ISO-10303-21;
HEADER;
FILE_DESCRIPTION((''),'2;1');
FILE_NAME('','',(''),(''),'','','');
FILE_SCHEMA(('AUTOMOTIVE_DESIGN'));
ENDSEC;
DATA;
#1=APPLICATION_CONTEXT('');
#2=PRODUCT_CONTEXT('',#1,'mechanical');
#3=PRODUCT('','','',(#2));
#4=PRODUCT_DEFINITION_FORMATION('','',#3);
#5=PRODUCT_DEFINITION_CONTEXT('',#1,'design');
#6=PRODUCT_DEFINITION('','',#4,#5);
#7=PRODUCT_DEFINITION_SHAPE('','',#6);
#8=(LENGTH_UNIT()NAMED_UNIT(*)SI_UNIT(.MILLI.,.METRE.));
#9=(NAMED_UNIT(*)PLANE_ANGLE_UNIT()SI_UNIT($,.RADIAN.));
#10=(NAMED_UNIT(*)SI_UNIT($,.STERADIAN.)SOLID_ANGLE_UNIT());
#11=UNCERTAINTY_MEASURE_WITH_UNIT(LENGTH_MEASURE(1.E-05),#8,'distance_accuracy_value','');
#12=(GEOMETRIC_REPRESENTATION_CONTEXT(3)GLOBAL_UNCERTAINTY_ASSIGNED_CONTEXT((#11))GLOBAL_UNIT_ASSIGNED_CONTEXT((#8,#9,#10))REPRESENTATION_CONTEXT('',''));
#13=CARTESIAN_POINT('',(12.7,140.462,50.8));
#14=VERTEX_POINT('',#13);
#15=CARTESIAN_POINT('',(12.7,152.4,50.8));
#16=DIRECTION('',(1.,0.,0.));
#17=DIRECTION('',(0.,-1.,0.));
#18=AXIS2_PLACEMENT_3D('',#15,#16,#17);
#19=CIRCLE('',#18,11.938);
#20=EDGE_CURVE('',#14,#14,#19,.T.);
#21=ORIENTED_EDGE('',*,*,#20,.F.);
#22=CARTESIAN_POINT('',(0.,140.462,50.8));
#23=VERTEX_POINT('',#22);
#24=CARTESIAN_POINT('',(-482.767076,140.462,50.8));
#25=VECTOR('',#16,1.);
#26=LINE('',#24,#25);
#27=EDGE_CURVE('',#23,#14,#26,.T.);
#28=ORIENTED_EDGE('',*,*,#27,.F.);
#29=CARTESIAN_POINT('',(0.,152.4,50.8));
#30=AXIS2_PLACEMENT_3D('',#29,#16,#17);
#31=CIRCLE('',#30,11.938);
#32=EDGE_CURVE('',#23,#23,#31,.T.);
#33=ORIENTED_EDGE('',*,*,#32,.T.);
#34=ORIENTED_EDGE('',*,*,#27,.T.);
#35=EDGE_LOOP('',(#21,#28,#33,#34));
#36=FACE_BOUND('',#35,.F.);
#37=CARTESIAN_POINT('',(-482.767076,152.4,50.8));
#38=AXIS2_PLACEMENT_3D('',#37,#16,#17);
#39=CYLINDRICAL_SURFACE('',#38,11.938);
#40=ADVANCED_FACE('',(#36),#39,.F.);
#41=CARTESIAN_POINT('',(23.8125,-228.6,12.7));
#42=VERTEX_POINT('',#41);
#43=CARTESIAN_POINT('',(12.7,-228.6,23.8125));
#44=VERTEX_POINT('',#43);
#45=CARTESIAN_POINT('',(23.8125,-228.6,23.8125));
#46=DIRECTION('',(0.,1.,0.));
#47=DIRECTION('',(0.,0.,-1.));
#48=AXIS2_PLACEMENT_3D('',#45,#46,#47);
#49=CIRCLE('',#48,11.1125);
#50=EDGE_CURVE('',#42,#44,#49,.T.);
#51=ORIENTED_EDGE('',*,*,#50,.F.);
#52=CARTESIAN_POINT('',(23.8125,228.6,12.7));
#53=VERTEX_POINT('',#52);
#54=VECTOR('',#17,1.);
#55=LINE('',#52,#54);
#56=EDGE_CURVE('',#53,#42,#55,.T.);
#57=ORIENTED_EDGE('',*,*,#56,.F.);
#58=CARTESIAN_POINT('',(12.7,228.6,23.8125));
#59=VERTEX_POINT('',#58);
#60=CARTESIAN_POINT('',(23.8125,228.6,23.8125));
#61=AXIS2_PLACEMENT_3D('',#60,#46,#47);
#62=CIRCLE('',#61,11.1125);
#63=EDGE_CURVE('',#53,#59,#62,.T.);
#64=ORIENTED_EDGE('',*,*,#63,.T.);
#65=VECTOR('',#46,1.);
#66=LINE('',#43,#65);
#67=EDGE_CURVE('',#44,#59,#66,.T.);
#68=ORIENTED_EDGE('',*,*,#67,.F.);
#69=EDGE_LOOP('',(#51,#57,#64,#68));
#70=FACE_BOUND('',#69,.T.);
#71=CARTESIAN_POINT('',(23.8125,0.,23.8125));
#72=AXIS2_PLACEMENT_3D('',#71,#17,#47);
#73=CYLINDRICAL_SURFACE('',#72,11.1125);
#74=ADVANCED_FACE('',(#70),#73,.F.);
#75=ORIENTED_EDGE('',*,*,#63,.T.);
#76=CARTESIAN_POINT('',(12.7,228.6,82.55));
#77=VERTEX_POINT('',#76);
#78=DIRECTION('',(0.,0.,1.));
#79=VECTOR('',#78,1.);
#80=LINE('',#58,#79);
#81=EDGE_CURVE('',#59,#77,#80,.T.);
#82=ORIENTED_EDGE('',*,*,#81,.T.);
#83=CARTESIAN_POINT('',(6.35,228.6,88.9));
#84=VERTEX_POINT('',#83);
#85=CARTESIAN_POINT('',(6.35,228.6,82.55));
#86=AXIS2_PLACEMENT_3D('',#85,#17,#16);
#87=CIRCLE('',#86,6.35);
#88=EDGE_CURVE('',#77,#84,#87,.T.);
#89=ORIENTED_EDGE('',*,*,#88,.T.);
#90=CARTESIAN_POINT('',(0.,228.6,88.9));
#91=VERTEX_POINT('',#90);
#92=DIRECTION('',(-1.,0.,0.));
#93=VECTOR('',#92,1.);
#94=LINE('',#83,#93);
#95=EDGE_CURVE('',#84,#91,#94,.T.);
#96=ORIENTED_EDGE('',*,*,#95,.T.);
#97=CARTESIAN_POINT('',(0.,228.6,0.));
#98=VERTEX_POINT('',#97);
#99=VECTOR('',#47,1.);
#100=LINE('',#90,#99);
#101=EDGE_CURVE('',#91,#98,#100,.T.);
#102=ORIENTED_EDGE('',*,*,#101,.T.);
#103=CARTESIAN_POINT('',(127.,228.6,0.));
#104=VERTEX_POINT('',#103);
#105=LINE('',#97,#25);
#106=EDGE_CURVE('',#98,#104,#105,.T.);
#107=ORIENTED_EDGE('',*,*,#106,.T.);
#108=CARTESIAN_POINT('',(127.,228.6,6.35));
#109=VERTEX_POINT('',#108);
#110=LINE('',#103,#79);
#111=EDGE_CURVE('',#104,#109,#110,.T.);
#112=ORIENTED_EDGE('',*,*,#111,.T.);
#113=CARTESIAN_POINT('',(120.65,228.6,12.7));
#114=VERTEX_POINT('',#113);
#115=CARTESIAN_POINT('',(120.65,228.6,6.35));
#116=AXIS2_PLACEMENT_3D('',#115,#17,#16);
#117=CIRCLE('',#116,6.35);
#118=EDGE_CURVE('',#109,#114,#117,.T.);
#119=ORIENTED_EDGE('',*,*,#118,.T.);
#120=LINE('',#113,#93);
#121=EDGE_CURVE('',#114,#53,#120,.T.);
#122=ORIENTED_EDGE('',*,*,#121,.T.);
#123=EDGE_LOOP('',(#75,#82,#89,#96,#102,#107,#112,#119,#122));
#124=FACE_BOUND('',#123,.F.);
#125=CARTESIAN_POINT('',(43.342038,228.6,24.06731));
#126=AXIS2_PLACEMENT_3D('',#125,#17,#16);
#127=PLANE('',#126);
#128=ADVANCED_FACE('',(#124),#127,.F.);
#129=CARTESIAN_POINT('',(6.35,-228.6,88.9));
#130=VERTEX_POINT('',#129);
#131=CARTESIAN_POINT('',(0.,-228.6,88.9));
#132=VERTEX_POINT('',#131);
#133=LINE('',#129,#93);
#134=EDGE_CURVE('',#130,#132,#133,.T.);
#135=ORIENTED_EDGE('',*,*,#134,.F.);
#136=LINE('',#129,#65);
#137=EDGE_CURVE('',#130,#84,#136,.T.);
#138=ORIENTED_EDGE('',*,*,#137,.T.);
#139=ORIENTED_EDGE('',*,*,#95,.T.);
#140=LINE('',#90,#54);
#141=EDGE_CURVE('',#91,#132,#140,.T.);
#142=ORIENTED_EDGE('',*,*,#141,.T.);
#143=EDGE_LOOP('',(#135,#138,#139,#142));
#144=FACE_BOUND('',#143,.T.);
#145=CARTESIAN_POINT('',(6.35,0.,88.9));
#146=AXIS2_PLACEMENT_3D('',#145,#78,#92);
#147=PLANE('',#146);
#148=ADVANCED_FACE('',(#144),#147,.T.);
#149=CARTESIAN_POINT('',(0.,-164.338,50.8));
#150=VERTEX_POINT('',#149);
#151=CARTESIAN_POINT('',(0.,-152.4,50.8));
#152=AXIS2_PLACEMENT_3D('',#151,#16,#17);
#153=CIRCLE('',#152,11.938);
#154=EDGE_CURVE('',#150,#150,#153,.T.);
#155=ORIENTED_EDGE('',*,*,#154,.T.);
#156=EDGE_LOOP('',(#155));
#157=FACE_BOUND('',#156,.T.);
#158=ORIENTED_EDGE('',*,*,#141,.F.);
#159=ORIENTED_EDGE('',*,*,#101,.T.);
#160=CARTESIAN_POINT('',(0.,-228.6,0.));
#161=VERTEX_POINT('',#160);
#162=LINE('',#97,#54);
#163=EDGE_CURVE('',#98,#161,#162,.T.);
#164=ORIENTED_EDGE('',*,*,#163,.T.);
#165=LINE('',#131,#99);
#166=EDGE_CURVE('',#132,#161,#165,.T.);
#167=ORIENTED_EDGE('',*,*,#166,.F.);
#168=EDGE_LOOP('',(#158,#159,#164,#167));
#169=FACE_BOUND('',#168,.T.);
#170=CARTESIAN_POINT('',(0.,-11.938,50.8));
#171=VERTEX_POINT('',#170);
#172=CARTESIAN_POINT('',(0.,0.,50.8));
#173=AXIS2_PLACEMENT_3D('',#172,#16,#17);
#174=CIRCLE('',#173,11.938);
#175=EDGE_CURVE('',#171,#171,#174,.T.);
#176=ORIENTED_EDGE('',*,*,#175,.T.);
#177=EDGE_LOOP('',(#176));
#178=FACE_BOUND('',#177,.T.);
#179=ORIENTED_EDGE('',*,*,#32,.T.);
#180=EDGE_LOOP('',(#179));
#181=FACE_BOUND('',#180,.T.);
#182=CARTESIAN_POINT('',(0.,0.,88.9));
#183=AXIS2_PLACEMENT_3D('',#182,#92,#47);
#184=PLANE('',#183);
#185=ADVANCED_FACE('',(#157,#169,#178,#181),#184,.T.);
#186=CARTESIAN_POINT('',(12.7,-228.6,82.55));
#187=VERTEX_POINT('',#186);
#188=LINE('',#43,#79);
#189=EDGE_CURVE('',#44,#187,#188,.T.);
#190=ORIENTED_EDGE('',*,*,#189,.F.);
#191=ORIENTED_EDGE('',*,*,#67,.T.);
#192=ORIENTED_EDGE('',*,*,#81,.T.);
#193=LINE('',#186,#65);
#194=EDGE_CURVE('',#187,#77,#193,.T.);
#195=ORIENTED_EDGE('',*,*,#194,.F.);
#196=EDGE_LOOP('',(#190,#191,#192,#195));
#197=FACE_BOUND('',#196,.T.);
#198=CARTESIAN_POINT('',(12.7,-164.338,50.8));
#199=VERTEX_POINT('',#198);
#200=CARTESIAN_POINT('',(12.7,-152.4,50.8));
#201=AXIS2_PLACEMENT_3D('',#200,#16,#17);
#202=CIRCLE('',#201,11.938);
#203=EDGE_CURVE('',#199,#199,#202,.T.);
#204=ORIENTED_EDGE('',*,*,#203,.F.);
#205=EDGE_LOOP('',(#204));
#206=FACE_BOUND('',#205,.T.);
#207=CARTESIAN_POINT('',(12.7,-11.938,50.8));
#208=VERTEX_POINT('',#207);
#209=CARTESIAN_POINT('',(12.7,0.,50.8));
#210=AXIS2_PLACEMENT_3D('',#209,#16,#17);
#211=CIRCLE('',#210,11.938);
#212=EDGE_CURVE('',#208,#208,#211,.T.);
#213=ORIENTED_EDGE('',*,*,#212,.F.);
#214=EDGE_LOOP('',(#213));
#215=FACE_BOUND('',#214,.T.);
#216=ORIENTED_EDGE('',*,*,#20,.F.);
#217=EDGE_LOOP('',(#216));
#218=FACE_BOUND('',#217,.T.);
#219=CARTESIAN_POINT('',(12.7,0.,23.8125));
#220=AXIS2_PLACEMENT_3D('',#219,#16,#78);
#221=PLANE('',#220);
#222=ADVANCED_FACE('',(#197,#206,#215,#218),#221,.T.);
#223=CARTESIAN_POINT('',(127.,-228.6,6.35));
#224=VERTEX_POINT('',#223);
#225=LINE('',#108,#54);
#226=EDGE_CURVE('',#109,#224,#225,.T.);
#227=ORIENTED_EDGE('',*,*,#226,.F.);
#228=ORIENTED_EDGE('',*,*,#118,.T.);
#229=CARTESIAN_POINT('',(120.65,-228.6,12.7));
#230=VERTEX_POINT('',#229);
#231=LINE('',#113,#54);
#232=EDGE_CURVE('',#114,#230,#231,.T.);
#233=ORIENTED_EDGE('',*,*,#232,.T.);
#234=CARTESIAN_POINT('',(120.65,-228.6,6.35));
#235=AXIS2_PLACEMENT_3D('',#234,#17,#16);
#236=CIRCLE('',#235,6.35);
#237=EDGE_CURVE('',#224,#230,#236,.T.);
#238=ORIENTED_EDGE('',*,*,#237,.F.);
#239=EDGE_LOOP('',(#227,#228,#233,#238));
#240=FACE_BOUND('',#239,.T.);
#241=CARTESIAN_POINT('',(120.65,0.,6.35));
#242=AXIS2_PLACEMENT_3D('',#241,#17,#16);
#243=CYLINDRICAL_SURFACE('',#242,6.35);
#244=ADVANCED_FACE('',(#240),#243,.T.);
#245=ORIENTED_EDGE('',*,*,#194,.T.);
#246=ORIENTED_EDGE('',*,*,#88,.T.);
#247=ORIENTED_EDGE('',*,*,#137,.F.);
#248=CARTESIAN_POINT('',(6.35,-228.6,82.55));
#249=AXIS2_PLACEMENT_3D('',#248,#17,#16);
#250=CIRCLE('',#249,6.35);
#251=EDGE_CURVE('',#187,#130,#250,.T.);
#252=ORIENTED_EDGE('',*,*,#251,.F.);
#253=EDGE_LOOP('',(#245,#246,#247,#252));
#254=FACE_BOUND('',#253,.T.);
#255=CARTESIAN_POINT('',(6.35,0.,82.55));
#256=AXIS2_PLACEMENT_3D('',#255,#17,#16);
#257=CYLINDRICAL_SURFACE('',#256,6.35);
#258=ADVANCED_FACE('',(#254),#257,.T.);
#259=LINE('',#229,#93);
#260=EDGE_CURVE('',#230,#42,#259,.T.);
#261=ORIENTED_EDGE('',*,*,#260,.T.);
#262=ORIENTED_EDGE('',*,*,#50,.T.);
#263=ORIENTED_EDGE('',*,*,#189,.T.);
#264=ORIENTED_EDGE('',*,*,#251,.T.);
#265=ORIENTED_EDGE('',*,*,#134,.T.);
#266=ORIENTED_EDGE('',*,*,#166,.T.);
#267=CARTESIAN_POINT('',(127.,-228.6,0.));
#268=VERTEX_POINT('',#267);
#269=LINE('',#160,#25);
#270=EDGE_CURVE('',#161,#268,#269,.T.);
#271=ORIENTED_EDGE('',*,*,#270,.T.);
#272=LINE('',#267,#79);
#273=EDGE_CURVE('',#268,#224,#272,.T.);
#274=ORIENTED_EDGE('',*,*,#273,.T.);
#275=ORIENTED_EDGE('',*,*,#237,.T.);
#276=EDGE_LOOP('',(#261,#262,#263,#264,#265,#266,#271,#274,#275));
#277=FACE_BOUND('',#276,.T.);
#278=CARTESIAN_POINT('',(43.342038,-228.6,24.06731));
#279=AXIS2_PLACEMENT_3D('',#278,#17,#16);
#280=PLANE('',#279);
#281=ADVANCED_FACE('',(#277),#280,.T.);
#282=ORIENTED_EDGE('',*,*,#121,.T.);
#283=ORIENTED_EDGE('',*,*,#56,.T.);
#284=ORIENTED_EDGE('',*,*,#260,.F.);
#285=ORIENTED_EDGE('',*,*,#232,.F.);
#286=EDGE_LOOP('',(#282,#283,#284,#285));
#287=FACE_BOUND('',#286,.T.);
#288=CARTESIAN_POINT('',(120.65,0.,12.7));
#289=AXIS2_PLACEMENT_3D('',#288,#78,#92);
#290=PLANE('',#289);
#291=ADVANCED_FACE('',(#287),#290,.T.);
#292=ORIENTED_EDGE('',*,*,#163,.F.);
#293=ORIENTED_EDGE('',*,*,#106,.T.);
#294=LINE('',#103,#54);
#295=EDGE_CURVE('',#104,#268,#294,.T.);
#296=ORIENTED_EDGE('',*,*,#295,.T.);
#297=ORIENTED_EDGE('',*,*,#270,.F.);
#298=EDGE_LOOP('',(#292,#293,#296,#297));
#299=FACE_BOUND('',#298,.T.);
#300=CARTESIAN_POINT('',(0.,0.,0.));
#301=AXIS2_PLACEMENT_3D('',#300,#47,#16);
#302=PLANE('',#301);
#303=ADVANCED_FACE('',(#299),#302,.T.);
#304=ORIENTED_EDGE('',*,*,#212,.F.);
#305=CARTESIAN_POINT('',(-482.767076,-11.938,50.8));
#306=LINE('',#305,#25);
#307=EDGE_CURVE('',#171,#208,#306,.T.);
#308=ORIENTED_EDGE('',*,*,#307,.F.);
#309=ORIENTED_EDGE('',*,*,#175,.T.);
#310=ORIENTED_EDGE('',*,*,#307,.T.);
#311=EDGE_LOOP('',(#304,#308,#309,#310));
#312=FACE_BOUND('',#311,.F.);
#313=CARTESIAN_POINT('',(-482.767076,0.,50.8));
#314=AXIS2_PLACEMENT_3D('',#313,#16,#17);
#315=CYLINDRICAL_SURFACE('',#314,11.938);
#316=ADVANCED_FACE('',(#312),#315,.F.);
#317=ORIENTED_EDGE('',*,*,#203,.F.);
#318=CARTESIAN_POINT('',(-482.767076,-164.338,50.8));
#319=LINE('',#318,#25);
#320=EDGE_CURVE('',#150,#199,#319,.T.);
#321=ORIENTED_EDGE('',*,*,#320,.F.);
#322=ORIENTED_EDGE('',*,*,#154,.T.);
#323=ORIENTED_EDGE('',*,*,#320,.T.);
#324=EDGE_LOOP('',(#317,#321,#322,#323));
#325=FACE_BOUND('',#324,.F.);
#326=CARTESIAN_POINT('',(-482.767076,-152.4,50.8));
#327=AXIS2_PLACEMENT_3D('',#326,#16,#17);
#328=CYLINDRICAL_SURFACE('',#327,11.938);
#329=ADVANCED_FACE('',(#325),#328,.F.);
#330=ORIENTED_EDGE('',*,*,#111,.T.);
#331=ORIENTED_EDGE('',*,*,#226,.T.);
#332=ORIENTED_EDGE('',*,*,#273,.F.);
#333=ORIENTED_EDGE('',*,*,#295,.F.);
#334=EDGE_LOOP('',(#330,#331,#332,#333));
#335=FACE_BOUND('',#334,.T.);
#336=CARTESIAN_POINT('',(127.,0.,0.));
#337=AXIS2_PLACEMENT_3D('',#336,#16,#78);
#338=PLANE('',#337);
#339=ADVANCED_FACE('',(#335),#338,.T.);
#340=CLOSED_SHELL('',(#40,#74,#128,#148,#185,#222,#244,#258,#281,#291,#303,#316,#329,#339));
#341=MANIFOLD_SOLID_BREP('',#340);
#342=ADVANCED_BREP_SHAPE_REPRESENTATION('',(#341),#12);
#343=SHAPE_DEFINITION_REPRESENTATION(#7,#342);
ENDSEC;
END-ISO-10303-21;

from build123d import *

# Parameters (mm, degrees)
F1_DEPTH = 228.6
F3_D     = 23.876


with BuildPart() as f1:
    # F0 (on Front) → F1 (new body, symmetric)
    with BuildSketch(Plane.XZ):
        with BuildLine():
            Line((6.3500000013, 88.9), (0, 88.9))
            Line((0, 88.9), (0, 0))
            Line((0, 0), (127, 0))
            Line((127, 0), (127, 6.35))
            ThreePointArc((127, 6.35), (125.1401280605, 10.8401280605), (120.65, 12.7))
            Line((120.65, 12.7), (23.8125000013, 12.7))
            ThreePointArc((23.8125000013, 12.7), (15.9547758954, 15.9547758941), (12.7000000013, 23.8125))
            Line((12.7000000013, 23.8125), (12.7000000013, 82.55))
            ThreePointArc((12.7000000013, 82.55), (10.8401280618, 87.0401280605), (6.3500000013, 88.9))
        make_face()
    extrude(amount=F1_DEPTH, both=True)

    # F3 (through all)
    with Locations(Plane(origin=(0, 0, 0), x_dir=(0, 1, 0), z_dir=(-1, 0, 0))):
        with Locations((-152.4, -50.8), (0, -50.8), (152.4, -50.8)):
            Hole(F3_D / 2)


solid = f1.part
